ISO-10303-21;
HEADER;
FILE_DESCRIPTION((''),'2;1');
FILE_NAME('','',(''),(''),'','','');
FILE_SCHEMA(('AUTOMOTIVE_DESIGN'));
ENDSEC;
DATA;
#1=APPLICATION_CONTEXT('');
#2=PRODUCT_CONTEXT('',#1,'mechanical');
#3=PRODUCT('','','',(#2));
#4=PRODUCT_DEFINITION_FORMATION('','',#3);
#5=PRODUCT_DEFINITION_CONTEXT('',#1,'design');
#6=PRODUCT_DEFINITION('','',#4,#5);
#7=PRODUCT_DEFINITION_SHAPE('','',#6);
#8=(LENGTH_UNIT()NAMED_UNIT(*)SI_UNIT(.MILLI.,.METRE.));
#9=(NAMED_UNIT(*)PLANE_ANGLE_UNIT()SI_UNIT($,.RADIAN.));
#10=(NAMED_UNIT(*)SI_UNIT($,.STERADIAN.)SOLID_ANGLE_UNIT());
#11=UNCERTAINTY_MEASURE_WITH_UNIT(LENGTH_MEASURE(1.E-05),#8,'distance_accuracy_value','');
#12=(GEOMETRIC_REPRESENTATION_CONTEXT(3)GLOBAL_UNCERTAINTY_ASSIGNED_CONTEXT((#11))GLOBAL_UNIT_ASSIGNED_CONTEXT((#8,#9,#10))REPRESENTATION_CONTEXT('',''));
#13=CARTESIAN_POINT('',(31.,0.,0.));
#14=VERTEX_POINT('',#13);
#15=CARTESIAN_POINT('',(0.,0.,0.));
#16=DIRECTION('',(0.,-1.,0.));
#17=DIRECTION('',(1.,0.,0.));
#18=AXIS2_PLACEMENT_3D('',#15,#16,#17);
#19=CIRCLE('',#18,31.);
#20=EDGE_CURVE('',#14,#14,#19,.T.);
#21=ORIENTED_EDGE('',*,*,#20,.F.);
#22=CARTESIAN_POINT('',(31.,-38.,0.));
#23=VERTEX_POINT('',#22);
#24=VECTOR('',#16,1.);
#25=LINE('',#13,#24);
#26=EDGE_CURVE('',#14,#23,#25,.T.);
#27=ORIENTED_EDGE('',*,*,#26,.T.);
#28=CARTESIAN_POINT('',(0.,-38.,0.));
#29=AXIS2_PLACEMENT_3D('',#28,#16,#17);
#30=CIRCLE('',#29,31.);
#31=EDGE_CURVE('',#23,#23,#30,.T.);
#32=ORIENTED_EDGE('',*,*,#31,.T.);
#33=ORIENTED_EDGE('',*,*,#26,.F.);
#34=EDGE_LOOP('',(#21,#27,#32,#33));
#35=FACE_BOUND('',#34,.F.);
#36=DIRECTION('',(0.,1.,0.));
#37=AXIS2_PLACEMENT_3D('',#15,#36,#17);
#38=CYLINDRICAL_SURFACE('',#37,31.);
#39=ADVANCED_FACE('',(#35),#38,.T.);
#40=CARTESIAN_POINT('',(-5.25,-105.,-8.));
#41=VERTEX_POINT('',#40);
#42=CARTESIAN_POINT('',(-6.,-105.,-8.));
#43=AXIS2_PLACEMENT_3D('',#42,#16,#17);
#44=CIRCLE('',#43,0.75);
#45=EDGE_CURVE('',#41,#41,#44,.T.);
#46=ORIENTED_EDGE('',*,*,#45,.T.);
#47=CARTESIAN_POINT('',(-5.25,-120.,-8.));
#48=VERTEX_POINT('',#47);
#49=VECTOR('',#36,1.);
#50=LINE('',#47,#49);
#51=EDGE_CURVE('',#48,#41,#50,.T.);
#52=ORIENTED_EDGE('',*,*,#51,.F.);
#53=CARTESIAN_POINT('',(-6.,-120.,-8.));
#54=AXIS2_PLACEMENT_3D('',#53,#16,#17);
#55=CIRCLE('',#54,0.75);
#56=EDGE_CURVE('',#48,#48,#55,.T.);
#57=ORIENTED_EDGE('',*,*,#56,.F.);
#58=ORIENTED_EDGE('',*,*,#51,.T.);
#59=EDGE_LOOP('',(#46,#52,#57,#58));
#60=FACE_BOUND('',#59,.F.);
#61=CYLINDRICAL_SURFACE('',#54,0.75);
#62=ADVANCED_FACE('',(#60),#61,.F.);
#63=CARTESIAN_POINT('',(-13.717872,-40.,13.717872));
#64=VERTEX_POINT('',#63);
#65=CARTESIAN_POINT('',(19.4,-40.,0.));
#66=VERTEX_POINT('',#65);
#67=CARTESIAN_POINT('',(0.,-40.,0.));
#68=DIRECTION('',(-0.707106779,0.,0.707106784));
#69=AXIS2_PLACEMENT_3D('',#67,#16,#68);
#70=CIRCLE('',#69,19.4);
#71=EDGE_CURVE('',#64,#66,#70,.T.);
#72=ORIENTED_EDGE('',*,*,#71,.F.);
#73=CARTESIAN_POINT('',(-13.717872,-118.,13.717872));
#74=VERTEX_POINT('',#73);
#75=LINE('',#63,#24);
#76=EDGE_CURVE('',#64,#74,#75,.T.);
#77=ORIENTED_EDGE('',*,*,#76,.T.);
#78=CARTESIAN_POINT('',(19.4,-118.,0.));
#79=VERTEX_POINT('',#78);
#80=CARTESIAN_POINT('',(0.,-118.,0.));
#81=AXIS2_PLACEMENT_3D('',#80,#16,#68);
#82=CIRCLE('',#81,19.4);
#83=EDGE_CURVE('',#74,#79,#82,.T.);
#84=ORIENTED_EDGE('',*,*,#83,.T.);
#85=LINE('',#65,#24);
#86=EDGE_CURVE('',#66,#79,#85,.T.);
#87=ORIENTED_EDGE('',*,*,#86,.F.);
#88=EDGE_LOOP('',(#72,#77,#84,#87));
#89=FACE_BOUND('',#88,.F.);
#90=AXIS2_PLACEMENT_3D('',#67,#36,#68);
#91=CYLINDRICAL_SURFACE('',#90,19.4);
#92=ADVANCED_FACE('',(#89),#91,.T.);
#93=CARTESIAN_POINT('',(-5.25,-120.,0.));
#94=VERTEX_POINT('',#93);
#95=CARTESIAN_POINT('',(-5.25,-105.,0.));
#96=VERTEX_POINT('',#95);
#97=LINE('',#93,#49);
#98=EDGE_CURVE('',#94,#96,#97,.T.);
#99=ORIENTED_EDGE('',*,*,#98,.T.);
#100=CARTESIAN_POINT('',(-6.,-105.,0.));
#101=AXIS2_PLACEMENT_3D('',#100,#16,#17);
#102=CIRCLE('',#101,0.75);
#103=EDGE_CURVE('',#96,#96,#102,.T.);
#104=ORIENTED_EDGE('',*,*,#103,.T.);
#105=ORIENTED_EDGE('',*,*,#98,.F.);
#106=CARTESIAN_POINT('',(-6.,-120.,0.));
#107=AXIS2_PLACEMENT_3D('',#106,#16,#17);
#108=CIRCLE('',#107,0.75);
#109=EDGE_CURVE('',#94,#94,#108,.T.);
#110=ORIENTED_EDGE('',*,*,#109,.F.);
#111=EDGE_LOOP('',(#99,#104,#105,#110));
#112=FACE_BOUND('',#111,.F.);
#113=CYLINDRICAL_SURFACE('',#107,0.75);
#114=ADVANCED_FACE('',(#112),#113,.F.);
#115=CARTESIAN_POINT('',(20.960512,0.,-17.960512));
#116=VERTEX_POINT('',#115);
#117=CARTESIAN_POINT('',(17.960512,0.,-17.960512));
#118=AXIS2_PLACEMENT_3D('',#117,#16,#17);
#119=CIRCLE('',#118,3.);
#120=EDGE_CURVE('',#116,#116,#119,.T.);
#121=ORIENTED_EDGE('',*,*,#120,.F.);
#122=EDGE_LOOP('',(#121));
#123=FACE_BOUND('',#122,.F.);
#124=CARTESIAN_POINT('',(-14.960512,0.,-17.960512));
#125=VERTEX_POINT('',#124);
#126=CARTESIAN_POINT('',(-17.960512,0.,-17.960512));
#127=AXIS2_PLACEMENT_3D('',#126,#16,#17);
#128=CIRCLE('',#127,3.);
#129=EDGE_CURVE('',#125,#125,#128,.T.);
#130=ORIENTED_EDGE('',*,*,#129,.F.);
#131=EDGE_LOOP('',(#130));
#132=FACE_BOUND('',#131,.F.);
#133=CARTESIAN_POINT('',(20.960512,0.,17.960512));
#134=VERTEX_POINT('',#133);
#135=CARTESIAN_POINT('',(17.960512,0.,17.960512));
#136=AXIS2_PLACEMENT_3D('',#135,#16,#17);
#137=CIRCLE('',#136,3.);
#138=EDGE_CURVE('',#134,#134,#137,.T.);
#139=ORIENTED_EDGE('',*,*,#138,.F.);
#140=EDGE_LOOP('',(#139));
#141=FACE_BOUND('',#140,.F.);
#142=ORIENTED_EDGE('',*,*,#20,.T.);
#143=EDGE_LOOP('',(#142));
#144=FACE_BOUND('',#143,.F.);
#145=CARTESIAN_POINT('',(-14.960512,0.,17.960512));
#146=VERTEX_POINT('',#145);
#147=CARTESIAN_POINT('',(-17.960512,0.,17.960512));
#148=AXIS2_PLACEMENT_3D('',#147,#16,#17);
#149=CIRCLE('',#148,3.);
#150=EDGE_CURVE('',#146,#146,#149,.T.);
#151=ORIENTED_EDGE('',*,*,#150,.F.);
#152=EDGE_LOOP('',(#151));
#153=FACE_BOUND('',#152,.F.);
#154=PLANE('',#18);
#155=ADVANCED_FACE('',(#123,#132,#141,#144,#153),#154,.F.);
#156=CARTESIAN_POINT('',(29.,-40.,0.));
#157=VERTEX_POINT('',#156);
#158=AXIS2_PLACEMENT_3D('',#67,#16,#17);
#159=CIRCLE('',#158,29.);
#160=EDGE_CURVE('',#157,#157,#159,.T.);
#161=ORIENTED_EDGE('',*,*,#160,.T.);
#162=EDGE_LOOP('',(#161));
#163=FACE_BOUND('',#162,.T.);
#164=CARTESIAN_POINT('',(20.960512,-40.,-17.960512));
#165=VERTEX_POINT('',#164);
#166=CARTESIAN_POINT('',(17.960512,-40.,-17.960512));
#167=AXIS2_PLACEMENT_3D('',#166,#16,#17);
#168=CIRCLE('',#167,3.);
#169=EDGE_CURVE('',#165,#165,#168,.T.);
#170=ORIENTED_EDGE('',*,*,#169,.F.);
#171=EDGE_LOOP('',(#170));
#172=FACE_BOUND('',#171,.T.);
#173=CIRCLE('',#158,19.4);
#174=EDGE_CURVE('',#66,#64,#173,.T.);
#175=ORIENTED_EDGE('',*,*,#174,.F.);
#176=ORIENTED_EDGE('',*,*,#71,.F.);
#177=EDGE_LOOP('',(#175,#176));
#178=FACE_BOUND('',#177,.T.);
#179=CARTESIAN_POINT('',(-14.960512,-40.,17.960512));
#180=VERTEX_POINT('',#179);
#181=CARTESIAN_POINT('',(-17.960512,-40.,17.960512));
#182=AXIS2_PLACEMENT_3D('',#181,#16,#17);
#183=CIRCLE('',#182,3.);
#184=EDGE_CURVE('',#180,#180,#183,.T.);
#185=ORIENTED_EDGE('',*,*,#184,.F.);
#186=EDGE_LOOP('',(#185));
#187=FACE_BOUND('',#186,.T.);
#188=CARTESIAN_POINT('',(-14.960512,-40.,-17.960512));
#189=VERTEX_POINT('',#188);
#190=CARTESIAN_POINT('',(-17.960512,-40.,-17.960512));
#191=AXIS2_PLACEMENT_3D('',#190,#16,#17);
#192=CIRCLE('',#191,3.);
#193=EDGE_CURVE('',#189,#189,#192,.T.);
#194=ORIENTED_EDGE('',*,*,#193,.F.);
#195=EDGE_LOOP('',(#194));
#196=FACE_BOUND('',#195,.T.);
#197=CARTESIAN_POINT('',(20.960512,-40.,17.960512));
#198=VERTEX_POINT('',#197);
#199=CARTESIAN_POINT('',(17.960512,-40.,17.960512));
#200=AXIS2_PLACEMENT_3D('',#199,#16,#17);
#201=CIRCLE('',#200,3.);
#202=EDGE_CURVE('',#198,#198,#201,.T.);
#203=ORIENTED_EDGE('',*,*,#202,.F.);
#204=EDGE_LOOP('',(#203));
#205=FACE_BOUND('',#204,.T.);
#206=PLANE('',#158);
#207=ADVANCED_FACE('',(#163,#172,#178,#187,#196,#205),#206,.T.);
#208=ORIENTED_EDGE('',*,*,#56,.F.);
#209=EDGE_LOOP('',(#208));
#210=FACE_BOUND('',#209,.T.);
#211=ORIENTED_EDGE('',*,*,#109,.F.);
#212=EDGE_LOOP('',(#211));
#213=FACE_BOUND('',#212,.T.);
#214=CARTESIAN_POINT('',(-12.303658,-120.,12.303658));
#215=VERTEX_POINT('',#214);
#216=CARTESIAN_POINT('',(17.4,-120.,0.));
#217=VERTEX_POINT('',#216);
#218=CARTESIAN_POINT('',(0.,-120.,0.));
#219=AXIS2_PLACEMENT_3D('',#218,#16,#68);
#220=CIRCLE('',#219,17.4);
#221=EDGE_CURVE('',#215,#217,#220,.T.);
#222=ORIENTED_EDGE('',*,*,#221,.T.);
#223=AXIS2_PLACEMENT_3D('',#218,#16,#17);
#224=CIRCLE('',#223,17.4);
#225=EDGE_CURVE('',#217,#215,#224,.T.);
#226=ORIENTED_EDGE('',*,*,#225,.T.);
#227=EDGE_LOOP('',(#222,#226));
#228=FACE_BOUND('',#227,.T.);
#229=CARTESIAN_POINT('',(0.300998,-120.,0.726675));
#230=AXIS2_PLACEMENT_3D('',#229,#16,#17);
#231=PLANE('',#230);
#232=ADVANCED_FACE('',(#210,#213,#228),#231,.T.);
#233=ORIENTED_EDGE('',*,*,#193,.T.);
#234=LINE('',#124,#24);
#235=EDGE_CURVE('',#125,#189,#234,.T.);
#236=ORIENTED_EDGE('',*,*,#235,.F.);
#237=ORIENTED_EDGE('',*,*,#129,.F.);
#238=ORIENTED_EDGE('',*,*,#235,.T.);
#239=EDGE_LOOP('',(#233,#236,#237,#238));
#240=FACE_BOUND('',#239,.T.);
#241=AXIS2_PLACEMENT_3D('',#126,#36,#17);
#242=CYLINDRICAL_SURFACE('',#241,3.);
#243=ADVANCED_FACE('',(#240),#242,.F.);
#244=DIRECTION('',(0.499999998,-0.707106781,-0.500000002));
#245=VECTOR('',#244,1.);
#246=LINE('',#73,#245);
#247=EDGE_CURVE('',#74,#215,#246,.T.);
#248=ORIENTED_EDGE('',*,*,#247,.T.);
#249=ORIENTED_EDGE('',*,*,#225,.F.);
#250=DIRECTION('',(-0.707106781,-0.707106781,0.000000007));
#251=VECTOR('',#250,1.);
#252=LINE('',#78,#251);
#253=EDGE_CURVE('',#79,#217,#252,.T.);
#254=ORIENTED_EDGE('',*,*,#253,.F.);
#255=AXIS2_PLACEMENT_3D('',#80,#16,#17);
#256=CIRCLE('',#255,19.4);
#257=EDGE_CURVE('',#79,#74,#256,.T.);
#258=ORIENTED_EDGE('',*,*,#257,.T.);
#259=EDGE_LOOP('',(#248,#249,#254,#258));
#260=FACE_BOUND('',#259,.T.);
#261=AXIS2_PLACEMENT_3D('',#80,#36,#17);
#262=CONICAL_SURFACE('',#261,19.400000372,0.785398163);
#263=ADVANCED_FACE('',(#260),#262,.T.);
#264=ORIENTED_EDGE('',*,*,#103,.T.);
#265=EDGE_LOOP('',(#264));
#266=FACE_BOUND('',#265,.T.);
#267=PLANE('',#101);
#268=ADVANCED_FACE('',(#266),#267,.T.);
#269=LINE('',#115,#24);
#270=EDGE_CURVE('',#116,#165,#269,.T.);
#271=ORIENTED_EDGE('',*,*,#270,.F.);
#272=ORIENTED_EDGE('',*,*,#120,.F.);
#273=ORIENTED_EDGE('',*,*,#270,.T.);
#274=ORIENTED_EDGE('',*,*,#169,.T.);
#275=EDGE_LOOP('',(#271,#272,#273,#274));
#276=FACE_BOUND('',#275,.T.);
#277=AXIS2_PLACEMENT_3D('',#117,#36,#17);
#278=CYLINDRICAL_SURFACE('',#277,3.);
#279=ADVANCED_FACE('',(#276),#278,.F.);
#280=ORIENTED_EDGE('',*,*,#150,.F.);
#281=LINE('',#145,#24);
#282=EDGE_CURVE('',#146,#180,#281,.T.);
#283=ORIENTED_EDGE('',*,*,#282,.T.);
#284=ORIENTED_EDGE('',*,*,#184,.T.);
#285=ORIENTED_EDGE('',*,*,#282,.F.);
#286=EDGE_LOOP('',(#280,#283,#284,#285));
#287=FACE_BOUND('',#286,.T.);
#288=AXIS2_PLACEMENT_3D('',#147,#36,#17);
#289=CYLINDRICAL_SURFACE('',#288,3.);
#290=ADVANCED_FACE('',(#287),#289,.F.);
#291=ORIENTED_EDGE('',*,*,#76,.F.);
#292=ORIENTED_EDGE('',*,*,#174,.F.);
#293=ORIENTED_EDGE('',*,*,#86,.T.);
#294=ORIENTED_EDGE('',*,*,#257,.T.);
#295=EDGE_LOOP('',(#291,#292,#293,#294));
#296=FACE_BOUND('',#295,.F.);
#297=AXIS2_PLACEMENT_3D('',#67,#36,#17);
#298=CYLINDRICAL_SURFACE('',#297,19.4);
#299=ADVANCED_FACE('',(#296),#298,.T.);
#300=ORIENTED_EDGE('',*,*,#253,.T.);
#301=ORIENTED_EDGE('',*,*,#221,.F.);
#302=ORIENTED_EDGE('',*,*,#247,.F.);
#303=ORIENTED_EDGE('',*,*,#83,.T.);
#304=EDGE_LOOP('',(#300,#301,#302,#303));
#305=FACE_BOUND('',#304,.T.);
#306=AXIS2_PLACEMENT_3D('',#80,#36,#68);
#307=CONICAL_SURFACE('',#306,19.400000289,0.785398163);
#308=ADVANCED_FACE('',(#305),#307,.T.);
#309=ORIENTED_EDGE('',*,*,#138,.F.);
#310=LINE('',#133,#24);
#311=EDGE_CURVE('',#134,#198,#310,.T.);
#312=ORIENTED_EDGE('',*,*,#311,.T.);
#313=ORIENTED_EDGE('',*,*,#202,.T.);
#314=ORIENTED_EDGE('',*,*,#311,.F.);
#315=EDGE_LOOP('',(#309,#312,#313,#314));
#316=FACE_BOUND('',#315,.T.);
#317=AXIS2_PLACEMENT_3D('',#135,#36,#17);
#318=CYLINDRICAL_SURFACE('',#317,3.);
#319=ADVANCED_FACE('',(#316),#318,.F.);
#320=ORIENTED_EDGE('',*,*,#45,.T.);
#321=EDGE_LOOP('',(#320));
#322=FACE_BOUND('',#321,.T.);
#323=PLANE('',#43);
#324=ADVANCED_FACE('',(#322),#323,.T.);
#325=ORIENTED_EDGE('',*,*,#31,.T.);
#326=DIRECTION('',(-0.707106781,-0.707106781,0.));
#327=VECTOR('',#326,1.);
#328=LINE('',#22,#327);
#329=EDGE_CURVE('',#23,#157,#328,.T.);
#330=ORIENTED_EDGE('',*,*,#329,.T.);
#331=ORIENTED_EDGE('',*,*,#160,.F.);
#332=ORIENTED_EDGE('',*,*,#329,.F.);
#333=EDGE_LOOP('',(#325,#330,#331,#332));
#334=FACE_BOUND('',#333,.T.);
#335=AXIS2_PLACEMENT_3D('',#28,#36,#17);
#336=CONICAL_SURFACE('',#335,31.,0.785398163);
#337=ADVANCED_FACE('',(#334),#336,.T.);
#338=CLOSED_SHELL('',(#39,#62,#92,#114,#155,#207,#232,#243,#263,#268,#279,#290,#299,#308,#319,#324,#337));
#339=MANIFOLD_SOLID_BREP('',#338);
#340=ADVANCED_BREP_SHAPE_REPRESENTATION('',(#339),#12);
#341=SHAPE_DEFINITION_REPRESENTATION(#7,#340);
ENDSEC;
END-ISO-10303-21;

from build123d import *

# Parameters (mm, degrees)
F0_R     = 31
F0_R_2   = 3
F1_DEPTH = 40
F3_DEPTH = 80
F4_R     = 0.75
F5_DEPTH = 15
F6_SIZE  = 2


with BuildPart() as f1:
    # F0 (on Front) → F1 (new body)
    with BuildSketch(Plane.XZ):
        Circle(F0_R)
        with Locations((-17.960512, -17.960512)):
            Circle(F0_R_2, mode=Mode.SUBTRACT)
        with Locations((17.960512, -17.960512)):
            Circle(F0_R_2, mode=Mode.SUBTRACT)
        with Locations((-17.960512, 17.960512)):
            Circle(F0_R_2, mode=Mode.SUBTRACT)
        with Locations((17.960512, 17.960512)):
            Circle(F0_R_2, mode=Mode.SUBTRACT)
    extrude(amount=F1_DEPTH)

    # F2 (on face) → F3 (join)
    with BuildSketch(Plane.XZ.offset(40)):
        with BuildLine():
            ThreePointArc((19.4, 0), (7.424059, 17.923263), (-13.717872, 13.717872))
            ThreePointArc((-13.717872, 13.717872), (-7.424059, -17.923263), (19.4, 0))
        make_face()
    extrude(amount=F3_DEPTH)

    # F4 (on face) → F5 (cut)
    with BuildSketch(Plane.XZ.offset(120)):
        with Locations((-6, 0)):
            Circle(F4_R)
        with Locations((-6, -8)):
            Circle(F4_R)
    extrude(amount=-F5_DEPTH, mode=Mode.SUBTRACT)

    # F6
    f6_edges = [f1.edges().sort_by_distance(p)[0] for p in [
        (-19.4, -120, 0),
        (-31, -40, 0),
    ]]
    chamfer(f6_edges, length=F6_SIZE)


solid = f1.part
